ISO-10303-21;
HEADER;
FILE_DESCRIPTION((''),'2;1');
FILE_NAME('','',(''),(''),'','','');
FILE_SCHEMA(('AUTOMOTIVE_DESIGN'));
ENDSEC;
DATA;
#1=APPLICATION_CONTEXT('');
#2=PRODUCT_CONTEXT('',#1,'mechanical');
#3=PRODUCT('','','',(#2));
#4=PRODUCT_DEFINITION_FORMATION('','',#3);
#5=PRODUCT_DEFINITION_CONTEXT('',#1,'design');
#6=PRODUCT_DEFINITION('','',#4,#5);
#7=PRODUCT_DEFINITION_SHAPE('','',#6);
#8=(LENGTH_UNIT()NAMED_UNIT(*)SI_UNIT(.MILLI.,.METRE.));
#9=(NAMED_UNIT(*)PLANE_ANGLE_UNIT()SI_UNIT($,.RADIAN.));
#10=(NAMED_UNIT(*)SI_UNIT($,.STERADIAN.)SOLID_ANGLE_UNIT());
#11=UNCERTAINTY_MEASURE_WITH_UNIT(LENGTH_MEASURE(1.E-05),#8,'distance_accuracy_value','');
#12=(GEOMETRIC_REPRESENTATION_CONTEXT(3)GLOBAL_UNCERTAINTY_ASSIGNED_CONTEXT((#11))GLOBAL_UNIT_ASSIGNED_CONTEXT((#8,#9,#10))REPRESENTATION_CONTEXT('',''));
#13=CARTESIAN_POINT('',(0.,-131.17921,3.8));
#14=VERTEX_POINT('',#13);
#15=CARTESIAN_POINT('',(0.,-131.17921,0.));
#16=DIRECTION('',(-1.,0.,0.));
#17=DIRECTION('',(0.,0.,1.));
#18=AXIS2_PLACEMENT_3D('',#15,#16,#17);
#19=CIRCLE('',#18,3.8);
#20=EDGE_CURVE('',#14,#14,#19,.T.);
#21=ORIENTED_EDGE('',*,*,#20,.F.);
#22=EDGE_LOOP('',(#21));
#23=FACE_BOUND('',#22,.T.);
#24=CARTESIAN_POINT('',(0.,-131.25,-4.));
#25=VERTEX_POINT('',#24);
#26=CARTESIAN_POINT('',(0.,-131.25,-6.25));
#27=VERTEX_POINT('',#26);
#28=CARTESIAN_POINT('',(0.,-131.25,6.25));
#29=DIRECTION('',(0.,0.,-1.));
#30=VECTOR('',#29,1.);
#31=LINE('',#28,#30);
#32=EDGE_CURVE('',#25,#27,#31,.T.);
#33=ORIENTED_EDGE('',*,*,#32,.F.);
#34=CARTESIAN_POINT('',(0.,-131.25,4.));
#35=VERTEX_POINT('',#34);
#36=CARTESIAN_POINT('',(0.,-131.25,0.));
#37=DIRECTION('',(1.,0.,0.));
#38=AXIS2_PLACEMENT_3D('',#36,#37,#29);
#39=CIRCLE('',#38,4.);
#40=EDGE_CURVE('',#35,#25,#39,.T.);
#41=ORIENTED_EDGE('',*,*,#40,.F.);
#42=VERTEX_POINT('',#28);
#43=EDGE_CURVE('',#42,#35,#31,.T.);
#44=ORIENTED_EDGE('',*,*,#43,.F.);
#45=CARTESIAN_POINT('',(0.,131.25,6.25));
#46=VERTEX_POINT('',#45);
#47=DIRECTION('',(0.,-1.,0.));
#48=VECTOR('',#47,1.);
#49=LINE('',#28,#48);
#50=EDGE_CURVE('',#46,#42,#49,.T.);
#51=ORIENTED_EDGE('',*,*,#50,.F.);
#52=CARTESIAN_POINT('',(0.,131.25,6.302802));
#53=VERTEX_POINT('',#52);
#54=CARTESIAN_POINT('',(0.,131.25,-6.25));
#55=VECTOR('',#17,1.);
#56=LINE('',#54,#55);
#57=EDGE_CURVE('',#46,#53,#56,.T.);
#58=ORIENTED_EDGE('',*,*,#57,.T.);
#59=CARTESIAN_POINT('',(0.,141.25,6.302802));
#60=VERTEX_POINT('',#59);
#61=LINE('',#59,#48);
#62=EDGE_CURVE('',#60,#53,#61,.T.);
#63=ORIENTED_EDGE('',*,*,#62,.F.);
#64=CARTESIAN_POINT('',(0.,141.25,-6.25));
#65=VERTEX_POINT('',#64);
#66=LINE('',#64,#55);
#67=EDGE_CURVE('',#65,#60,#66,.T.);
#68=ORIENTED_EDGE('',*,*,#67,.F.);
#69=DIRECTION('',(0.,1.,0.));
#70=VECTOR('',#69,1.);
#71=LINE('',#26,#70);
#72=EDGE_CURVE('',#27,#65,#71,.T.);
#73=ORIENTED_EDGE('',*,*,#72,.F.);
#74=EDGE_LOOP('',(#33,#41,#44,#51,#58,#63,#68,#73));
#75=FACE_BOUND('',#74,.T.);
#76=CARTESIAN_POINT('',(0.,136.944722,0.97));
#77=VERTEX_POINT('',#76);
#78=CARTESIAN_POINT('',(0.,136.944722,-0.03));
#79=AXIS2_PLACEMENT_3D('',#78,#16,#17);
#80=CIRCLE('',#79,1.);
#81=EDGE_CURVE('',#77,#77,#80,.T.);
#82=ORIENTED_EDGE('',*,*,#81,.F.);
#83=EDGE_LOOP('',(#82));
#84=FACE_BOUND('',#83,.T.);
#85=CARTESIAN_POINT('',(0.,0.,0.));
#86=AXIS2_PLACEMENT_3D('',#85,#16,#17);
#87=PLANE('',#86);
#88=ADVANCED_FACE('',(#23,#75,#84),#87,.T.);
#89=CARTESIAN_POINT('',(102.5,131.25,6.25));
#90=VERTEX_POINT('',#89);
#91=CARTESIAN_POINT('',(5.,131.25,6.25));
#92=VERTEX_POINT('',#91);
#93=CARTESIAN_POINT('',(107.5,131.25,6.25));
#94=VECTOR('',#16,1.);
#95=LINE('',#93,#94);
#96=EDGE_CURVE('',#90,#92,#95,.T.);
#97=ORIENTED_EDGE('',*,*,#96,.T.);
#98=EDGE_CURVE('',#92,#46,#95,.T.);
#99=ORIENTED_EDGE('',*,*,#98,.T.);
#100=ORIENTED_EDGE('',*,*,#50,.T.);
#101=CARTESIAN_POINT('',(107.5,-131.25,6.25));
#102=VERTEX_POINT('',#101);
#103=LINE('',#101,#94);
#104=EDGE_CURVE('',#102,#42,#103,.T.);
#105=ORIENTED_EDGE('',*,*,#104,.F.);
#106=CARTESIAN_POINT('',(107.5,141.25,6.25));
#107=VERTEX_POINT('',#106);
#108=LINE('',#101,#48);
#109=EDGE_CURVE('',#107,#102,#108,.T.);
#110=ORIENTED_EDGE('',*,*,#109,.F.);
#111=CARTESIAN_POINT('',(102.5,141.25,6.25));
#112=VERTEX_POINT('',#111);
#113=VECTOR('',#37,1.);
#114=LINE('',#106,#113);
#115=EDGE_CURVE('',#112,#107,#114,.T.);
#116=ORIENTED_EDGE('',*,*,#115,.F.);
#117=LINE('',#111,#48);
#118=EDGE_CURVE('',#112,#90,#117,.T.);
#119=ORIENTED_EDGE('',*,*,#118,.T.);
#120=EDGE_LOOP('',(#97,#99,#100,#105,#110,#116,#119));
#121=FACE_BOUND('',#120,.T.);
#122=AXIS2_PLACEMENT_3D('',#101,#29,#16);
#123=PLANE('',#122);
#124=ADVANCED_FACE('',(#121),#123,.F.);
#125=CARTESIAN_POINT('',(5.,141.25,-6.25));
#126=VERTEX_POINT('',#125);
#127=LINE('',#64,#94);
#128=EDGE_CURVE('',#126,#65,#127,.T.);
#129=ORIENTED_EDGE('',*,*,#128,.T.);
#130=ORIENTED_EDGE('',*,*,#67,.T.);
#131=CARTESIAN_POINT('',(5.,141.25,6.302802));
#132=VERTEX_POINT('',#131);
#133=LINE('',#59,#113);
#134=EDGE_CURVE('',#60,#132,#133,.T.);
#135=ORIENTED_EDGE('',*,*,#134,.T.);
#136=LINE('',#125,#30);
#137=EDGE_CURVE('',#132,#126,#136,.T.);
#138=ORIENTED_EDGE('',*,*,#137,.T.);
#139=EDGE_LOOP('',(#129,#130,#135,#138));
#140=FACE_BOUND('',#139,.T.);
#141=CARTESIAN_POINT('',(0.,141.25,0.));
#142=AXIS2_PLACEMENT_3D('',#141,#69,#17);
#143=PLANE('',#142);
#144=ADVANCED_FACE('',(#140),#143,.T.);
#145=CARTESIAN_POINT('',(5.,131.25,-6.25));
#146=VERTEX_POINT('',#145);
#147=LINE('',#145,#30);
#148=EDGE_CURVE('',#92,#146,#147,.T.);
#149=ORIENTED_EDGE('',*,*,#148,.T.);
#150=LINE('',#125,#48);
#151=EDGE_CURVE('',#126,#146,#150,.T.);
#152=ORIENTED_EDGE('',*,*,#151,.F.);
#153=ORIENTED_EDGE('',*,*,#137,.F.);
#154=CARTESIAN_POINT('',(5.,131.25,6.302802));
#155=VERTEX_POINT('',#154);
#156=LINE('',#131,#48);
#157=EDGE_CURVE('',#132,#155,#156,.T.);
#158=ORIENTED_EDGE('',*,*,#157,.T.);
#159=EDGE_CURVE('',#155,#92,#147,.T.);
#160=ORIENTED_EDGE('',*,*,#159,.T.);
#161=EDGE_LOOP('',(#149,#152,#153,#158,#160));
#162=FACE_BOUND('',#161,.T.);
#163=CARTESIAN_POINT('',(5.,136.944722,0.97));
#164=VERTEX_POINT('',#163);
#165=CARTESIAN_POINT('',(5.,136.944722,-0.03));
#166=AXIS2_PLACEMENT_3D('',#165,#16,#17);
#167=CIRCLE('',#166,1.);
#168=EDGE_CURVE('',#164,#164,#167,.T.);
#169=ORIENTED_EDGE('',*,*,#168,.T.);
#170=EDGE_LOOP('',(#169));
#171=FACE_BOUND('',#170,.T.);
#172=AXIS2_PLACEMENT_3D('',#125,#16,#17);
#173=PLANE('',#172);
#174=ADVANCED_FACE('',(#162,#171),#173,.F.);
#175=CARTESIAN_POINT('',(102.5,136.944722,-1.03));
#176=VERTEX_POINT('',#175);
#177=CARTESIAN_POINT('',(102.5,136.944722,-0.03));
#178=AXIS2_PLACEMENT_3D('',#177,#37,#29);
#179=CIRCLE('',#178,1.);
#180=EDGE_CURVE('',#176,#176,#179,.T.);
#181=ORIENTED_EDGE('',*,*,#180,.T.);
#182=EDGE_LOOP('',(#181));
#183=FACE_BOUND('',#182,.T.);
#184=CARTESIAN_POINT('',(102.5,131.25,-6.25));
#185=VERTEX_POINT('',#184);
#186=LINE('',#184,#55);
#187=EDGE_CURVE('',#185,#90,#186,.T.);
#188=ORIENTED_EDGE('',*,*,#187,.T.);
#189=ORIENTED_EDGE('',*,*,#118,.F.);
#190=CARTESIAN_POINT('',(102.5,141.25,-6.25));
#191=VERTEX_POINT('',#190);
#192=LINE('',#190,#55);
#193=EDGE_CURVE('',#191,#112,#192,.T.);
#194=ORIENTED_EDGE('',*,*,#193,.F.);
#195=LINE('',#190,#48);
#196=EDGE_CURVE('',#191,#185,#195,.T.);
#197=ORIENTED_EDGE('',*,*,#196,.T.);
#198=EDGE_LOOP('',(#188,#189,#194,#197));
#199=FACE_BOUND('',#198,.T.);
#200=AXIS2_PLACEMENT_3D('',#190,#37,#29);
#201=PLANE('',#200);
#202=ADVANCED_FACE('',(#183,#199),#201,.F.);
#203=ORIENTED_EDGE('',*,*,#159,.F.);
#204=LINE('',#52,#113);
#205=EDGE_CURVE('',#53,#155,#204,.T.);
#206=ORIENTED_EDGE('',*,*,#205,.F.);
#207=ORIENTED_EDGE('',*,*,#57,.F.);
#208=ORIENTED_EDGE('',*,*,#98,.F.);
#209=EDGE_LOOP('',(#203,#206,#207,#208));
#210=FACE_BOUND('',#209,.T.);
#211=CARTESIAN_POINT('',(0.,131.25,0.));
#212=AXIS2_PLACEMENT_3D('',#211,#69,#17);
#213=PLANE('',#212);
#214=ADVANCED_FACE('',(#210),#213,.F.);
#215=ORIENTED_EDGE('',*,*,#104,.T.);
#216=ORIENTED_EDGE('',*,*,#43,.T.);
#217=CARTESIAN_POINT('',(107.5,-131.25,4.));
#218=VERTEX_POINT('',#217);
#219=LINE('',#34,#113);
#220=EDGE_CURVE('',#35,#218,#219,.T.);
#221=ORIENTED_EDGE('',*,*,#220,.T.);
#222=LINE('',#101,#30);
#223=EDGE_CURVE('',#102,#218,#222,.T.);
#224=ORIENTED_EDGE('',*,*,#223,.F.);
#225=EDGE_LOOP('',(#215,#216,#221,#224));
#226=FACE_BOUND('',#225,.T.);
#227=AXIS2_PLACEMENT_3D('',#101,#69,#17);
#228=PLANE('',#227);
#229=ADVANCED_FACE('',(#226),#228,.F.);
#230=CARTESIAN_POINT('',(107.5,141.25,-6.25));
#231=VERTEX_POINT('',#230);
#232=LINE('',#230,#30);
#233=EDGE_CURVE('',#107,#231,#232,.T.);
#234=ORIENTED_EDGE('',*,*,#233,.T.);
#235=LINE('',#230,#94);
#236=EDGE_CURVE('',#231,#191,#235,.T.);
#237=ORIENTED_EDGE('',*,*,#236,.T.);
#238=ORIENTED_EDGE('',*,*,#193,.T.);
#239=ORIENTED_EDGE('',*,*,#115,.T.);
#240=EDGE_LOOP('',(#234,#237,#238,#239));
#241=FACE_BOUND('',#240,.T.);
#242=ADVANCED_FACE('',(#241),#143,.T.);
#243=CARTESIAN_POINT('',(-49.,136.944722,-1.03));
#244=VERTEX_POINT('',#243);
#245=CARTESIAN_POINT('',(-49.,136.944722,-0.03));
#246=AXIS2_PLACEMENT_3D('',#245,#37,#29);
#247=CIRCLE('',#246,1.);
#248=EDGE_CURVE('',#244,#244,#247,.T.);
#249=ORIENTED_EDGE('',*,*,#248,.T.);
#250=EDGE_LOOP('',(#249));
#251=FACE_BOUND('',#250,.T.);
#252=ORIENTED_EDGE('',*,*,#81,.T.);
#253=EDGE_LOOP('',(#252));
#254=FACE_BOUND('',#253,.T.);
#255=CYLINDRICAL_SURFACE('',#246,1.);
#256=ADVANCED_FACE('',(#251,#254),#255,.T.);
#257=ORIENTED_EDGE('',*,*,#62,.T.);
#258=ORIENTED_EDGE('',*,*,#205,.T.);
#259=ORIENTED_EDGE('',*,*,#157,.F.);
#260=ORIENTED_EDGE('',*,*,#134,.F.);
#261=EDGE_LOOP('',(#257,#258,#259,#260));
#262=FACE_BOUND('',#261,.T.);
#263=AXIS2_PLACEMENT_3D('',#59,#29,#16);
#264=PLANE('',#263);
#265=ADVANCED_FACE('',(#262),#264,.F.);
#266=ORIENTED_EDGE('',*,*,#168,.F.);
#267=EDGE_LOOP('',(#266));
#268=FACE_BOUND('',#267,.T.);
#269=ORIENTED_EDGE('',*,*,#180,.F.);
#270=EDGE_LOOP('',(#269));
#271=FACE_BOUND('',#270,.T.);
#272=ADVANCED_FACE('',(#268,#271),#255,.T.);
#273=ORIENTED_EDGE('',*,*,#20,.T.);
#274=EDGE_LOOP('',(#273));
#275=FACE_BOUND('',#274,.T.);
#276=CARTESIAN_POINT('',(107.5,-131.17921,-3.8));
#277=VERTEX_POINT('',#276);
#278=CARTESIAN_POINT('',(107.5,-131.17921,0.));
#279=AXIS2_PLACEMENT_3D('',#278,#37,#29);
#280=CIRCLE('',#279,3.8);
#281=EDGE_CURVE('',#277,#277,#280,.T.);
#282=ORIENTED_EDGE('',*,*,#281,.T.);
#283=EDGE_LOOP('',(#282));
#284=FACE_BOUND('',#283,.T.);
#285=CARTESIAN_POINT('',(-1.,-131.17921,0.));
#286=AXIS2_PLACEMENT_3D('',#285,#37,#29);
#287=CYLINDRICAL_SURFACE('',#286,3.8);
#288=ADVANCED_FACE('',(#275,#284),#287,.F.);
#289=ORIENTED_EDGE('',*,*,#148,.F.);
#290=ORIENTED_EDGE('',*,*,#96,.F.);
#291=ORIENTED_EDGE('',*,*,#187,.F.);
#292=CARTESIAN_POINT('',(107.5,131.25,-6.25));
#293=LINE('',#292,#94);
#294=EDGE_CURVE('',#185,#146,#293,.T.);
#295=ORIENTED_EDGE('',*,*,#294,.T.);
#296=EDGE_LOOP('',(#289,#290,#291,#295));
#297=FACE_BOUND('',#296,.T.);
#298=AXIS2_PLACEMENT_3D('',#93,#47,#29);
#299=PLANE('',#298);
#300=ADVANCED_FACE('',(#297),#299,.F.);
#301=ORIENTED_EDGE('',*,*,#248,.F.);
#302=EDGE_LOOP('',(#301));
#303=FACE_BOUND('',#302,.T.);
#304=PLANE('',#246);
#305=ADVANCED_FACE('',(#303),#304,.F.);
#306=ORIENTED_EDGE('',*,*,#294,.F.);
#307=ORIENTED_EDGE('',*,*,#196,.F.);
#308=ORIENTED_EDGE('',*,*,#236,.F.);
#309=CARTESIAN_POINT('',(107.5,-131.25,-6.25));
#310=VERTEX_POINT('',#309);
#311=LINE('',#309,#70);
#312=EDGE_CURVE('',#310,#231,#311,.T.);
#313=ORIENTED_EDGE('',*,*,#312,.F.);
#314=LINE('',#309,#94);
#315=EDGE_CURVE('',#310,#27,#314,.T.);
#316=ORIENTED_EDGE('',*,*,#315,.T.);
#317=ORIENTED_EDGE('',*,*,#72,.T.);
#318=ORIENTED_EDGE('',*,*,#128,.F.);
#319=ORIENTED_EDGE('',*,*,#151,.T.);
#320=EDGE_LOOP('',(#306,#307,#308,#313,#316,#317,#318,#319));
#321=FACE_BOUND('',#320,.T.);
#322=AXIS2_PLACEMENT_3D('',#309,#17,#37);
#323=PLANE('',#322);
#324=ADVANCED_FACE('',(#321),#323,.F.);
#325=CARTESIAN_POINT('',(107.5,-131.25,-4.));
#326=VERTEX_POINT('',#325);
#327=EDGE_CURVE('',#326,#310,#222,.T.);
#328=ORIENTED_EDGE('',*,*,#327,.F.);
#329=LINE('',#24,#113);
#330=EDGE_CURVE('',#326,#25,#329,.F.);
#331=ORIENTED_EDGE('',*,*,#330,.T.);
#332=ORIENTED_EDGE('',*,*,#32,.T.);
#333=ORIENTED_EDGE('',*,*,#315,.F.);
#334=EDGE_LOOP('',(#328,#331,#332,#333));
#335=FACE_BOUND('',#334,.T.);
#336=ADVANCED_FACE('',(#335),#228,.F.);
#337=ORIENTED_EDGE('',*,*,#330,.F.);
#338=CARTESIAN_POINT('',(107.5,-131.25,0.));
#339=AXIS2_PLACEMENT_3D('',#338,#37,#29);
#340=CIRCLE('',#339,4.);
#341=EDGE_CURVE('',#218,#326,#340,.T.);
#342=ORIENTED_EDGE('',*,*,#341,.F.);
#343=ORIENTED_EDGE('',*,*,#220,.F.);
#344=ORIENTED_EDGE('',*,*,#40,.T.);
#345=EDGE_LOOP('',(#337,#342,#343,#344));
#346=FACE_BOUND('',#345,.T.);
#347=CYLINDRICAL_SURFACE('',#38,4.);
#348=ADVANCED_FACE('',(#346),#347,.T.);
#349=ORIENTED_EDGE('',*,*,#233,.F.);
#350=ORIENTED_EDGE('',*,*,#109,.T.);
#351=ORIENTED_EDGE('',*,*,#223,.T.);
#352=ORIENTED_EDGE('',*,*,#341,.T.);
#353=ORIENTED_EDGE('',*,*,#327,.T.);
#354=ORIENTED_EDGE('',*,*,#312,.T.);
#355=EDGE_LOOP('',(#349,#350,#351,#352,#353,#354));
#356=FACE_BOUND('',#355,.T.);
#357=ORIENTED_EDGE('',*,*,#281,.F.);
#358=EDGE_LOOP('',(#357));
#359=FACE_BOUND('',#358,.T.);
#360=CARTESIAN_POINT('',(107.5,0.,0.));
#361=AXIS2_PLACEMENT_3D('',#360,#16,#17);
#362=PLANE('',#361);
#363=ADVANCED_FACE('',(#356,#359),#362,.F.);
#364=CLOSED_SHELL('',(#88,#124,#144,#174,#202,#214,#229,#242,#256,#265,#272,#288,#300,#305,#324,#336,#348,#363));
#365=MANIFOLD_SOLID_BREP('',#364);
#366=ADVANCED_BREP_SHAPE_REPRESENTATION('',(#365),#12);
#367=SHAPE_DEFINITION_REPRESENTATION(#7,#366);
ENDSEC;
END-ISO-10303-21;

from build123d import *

# Parameters (mm, degrees)
ESQUISSE1_W             = 12.5
ESQUISSE1_H             = 262.5
BOSS_EXTRU_1_DEPTH      = 107.5
ESQUISSE5_R             = 4
BOSS_EXTRU_2_DEPTH      = 107.5
ESQUISSE6_R             = 3.8
ENL_V_MAT_EXTRU_1_DEPTH = 108.5
ESQUISSE8_W             = 5
ESQUISSE8_H             = 12.552801664
BOSS_EXTRU_3_DEPTH      = 10
ESQUISSE9_W             = 5
ESQUISSE9_H             = 12.5
BOSS_EXTRU_4_DEPTH      = 10
BOSS_EXTRU_5_DEPTH      = 101
BOSS_EXTRU_5_DEPTH_BACK = 54
ESQUISSE12_R            = 1


with BuildPart() as part:
    # Esquisse1 → Boss.-Extru.1 (new body)
    with BuildSketch(Plane(origin=(0, 0, 0), x_dir=(0, 0, -1), z_dir=(1, 0, 0))):
        Rectangle(ESQUISSE1_W, ESQUISSE1_H)
    extrude(amount=BOSS_EXTRU_1_DEPTH)

    # Esquisse5 → Boss.-Extru.2 (add)
    with BuildSketch(Plane(origin=(107.5, 0, 0), x_dir=(0, 0, -1), z_dir=(1, 0, 0))):
        with Locations((0, -131.25)):
            Circle(ESQUISSE5_R)
    extrude(amount=-BOSS_EXTRU_2_DEPTH)

    # Esquisse6 → Enlèv. mat.-Extru.1 (cut)
    with BuildSketch(Plane(origin=(107.5, 0, 0), x_dir=(0, 0, -1), z_dir=(1, 0, 0))):
        with Locations((0, -131.179209748)):
            Circle(ESQUISSE6_R)
    extrude(amount=-ENL_V_MAT_EXTRU_1_DEPTH, mode=Mode.SUBTRACT)

    # Esquisse8 → Boss.-Extru.3 (add)
    with BuildSketch(Plane(origin=(0, 131.25, 0), x_dir=(1, 0, 0), z_dir=(0, 1, 0))):
        with Locations((2.5, -0.026400832)):
            Rectangle(ESQUISSE8_W, ESQUISSE8_H)
    extrude(amount=BOSS_EXTRU_3_DEPTH)

    # Esquisse9 → Boss.-Extru.4 (add)
    with BuildSketch(Plane(origin=(0, 131.25, 0), x_dir=(1, 0, 0), z_dir=(0, 1, 0))):
        with Locations((105, 0)):
            Rectangle(ESQUISSE9_W, ESQUISSE9_H)
    extrude(amount=BOSS_EXTRU_4_DEPTH)

    # Esquisse12 → Boss.-Extru.5 (add, two sides: drawn at the far end of the back side and taken through both)
    with BuildSketch(Plane(origin=(5, 0, 0), x_dir=(0, 0, -1), z_dir=(1, 0, 0)).offset(-BOSS_EXTRU_5_DEPTH_BACK)):
        with Locations((0.03, 136.944722229)):
            Circle(ESQUISSE12_R)
    extrude(amount=BOSS_EXTRU_5_DEPTH + BOSS_EXTRU_5_DEPTH_BACK)


solid = part.part
